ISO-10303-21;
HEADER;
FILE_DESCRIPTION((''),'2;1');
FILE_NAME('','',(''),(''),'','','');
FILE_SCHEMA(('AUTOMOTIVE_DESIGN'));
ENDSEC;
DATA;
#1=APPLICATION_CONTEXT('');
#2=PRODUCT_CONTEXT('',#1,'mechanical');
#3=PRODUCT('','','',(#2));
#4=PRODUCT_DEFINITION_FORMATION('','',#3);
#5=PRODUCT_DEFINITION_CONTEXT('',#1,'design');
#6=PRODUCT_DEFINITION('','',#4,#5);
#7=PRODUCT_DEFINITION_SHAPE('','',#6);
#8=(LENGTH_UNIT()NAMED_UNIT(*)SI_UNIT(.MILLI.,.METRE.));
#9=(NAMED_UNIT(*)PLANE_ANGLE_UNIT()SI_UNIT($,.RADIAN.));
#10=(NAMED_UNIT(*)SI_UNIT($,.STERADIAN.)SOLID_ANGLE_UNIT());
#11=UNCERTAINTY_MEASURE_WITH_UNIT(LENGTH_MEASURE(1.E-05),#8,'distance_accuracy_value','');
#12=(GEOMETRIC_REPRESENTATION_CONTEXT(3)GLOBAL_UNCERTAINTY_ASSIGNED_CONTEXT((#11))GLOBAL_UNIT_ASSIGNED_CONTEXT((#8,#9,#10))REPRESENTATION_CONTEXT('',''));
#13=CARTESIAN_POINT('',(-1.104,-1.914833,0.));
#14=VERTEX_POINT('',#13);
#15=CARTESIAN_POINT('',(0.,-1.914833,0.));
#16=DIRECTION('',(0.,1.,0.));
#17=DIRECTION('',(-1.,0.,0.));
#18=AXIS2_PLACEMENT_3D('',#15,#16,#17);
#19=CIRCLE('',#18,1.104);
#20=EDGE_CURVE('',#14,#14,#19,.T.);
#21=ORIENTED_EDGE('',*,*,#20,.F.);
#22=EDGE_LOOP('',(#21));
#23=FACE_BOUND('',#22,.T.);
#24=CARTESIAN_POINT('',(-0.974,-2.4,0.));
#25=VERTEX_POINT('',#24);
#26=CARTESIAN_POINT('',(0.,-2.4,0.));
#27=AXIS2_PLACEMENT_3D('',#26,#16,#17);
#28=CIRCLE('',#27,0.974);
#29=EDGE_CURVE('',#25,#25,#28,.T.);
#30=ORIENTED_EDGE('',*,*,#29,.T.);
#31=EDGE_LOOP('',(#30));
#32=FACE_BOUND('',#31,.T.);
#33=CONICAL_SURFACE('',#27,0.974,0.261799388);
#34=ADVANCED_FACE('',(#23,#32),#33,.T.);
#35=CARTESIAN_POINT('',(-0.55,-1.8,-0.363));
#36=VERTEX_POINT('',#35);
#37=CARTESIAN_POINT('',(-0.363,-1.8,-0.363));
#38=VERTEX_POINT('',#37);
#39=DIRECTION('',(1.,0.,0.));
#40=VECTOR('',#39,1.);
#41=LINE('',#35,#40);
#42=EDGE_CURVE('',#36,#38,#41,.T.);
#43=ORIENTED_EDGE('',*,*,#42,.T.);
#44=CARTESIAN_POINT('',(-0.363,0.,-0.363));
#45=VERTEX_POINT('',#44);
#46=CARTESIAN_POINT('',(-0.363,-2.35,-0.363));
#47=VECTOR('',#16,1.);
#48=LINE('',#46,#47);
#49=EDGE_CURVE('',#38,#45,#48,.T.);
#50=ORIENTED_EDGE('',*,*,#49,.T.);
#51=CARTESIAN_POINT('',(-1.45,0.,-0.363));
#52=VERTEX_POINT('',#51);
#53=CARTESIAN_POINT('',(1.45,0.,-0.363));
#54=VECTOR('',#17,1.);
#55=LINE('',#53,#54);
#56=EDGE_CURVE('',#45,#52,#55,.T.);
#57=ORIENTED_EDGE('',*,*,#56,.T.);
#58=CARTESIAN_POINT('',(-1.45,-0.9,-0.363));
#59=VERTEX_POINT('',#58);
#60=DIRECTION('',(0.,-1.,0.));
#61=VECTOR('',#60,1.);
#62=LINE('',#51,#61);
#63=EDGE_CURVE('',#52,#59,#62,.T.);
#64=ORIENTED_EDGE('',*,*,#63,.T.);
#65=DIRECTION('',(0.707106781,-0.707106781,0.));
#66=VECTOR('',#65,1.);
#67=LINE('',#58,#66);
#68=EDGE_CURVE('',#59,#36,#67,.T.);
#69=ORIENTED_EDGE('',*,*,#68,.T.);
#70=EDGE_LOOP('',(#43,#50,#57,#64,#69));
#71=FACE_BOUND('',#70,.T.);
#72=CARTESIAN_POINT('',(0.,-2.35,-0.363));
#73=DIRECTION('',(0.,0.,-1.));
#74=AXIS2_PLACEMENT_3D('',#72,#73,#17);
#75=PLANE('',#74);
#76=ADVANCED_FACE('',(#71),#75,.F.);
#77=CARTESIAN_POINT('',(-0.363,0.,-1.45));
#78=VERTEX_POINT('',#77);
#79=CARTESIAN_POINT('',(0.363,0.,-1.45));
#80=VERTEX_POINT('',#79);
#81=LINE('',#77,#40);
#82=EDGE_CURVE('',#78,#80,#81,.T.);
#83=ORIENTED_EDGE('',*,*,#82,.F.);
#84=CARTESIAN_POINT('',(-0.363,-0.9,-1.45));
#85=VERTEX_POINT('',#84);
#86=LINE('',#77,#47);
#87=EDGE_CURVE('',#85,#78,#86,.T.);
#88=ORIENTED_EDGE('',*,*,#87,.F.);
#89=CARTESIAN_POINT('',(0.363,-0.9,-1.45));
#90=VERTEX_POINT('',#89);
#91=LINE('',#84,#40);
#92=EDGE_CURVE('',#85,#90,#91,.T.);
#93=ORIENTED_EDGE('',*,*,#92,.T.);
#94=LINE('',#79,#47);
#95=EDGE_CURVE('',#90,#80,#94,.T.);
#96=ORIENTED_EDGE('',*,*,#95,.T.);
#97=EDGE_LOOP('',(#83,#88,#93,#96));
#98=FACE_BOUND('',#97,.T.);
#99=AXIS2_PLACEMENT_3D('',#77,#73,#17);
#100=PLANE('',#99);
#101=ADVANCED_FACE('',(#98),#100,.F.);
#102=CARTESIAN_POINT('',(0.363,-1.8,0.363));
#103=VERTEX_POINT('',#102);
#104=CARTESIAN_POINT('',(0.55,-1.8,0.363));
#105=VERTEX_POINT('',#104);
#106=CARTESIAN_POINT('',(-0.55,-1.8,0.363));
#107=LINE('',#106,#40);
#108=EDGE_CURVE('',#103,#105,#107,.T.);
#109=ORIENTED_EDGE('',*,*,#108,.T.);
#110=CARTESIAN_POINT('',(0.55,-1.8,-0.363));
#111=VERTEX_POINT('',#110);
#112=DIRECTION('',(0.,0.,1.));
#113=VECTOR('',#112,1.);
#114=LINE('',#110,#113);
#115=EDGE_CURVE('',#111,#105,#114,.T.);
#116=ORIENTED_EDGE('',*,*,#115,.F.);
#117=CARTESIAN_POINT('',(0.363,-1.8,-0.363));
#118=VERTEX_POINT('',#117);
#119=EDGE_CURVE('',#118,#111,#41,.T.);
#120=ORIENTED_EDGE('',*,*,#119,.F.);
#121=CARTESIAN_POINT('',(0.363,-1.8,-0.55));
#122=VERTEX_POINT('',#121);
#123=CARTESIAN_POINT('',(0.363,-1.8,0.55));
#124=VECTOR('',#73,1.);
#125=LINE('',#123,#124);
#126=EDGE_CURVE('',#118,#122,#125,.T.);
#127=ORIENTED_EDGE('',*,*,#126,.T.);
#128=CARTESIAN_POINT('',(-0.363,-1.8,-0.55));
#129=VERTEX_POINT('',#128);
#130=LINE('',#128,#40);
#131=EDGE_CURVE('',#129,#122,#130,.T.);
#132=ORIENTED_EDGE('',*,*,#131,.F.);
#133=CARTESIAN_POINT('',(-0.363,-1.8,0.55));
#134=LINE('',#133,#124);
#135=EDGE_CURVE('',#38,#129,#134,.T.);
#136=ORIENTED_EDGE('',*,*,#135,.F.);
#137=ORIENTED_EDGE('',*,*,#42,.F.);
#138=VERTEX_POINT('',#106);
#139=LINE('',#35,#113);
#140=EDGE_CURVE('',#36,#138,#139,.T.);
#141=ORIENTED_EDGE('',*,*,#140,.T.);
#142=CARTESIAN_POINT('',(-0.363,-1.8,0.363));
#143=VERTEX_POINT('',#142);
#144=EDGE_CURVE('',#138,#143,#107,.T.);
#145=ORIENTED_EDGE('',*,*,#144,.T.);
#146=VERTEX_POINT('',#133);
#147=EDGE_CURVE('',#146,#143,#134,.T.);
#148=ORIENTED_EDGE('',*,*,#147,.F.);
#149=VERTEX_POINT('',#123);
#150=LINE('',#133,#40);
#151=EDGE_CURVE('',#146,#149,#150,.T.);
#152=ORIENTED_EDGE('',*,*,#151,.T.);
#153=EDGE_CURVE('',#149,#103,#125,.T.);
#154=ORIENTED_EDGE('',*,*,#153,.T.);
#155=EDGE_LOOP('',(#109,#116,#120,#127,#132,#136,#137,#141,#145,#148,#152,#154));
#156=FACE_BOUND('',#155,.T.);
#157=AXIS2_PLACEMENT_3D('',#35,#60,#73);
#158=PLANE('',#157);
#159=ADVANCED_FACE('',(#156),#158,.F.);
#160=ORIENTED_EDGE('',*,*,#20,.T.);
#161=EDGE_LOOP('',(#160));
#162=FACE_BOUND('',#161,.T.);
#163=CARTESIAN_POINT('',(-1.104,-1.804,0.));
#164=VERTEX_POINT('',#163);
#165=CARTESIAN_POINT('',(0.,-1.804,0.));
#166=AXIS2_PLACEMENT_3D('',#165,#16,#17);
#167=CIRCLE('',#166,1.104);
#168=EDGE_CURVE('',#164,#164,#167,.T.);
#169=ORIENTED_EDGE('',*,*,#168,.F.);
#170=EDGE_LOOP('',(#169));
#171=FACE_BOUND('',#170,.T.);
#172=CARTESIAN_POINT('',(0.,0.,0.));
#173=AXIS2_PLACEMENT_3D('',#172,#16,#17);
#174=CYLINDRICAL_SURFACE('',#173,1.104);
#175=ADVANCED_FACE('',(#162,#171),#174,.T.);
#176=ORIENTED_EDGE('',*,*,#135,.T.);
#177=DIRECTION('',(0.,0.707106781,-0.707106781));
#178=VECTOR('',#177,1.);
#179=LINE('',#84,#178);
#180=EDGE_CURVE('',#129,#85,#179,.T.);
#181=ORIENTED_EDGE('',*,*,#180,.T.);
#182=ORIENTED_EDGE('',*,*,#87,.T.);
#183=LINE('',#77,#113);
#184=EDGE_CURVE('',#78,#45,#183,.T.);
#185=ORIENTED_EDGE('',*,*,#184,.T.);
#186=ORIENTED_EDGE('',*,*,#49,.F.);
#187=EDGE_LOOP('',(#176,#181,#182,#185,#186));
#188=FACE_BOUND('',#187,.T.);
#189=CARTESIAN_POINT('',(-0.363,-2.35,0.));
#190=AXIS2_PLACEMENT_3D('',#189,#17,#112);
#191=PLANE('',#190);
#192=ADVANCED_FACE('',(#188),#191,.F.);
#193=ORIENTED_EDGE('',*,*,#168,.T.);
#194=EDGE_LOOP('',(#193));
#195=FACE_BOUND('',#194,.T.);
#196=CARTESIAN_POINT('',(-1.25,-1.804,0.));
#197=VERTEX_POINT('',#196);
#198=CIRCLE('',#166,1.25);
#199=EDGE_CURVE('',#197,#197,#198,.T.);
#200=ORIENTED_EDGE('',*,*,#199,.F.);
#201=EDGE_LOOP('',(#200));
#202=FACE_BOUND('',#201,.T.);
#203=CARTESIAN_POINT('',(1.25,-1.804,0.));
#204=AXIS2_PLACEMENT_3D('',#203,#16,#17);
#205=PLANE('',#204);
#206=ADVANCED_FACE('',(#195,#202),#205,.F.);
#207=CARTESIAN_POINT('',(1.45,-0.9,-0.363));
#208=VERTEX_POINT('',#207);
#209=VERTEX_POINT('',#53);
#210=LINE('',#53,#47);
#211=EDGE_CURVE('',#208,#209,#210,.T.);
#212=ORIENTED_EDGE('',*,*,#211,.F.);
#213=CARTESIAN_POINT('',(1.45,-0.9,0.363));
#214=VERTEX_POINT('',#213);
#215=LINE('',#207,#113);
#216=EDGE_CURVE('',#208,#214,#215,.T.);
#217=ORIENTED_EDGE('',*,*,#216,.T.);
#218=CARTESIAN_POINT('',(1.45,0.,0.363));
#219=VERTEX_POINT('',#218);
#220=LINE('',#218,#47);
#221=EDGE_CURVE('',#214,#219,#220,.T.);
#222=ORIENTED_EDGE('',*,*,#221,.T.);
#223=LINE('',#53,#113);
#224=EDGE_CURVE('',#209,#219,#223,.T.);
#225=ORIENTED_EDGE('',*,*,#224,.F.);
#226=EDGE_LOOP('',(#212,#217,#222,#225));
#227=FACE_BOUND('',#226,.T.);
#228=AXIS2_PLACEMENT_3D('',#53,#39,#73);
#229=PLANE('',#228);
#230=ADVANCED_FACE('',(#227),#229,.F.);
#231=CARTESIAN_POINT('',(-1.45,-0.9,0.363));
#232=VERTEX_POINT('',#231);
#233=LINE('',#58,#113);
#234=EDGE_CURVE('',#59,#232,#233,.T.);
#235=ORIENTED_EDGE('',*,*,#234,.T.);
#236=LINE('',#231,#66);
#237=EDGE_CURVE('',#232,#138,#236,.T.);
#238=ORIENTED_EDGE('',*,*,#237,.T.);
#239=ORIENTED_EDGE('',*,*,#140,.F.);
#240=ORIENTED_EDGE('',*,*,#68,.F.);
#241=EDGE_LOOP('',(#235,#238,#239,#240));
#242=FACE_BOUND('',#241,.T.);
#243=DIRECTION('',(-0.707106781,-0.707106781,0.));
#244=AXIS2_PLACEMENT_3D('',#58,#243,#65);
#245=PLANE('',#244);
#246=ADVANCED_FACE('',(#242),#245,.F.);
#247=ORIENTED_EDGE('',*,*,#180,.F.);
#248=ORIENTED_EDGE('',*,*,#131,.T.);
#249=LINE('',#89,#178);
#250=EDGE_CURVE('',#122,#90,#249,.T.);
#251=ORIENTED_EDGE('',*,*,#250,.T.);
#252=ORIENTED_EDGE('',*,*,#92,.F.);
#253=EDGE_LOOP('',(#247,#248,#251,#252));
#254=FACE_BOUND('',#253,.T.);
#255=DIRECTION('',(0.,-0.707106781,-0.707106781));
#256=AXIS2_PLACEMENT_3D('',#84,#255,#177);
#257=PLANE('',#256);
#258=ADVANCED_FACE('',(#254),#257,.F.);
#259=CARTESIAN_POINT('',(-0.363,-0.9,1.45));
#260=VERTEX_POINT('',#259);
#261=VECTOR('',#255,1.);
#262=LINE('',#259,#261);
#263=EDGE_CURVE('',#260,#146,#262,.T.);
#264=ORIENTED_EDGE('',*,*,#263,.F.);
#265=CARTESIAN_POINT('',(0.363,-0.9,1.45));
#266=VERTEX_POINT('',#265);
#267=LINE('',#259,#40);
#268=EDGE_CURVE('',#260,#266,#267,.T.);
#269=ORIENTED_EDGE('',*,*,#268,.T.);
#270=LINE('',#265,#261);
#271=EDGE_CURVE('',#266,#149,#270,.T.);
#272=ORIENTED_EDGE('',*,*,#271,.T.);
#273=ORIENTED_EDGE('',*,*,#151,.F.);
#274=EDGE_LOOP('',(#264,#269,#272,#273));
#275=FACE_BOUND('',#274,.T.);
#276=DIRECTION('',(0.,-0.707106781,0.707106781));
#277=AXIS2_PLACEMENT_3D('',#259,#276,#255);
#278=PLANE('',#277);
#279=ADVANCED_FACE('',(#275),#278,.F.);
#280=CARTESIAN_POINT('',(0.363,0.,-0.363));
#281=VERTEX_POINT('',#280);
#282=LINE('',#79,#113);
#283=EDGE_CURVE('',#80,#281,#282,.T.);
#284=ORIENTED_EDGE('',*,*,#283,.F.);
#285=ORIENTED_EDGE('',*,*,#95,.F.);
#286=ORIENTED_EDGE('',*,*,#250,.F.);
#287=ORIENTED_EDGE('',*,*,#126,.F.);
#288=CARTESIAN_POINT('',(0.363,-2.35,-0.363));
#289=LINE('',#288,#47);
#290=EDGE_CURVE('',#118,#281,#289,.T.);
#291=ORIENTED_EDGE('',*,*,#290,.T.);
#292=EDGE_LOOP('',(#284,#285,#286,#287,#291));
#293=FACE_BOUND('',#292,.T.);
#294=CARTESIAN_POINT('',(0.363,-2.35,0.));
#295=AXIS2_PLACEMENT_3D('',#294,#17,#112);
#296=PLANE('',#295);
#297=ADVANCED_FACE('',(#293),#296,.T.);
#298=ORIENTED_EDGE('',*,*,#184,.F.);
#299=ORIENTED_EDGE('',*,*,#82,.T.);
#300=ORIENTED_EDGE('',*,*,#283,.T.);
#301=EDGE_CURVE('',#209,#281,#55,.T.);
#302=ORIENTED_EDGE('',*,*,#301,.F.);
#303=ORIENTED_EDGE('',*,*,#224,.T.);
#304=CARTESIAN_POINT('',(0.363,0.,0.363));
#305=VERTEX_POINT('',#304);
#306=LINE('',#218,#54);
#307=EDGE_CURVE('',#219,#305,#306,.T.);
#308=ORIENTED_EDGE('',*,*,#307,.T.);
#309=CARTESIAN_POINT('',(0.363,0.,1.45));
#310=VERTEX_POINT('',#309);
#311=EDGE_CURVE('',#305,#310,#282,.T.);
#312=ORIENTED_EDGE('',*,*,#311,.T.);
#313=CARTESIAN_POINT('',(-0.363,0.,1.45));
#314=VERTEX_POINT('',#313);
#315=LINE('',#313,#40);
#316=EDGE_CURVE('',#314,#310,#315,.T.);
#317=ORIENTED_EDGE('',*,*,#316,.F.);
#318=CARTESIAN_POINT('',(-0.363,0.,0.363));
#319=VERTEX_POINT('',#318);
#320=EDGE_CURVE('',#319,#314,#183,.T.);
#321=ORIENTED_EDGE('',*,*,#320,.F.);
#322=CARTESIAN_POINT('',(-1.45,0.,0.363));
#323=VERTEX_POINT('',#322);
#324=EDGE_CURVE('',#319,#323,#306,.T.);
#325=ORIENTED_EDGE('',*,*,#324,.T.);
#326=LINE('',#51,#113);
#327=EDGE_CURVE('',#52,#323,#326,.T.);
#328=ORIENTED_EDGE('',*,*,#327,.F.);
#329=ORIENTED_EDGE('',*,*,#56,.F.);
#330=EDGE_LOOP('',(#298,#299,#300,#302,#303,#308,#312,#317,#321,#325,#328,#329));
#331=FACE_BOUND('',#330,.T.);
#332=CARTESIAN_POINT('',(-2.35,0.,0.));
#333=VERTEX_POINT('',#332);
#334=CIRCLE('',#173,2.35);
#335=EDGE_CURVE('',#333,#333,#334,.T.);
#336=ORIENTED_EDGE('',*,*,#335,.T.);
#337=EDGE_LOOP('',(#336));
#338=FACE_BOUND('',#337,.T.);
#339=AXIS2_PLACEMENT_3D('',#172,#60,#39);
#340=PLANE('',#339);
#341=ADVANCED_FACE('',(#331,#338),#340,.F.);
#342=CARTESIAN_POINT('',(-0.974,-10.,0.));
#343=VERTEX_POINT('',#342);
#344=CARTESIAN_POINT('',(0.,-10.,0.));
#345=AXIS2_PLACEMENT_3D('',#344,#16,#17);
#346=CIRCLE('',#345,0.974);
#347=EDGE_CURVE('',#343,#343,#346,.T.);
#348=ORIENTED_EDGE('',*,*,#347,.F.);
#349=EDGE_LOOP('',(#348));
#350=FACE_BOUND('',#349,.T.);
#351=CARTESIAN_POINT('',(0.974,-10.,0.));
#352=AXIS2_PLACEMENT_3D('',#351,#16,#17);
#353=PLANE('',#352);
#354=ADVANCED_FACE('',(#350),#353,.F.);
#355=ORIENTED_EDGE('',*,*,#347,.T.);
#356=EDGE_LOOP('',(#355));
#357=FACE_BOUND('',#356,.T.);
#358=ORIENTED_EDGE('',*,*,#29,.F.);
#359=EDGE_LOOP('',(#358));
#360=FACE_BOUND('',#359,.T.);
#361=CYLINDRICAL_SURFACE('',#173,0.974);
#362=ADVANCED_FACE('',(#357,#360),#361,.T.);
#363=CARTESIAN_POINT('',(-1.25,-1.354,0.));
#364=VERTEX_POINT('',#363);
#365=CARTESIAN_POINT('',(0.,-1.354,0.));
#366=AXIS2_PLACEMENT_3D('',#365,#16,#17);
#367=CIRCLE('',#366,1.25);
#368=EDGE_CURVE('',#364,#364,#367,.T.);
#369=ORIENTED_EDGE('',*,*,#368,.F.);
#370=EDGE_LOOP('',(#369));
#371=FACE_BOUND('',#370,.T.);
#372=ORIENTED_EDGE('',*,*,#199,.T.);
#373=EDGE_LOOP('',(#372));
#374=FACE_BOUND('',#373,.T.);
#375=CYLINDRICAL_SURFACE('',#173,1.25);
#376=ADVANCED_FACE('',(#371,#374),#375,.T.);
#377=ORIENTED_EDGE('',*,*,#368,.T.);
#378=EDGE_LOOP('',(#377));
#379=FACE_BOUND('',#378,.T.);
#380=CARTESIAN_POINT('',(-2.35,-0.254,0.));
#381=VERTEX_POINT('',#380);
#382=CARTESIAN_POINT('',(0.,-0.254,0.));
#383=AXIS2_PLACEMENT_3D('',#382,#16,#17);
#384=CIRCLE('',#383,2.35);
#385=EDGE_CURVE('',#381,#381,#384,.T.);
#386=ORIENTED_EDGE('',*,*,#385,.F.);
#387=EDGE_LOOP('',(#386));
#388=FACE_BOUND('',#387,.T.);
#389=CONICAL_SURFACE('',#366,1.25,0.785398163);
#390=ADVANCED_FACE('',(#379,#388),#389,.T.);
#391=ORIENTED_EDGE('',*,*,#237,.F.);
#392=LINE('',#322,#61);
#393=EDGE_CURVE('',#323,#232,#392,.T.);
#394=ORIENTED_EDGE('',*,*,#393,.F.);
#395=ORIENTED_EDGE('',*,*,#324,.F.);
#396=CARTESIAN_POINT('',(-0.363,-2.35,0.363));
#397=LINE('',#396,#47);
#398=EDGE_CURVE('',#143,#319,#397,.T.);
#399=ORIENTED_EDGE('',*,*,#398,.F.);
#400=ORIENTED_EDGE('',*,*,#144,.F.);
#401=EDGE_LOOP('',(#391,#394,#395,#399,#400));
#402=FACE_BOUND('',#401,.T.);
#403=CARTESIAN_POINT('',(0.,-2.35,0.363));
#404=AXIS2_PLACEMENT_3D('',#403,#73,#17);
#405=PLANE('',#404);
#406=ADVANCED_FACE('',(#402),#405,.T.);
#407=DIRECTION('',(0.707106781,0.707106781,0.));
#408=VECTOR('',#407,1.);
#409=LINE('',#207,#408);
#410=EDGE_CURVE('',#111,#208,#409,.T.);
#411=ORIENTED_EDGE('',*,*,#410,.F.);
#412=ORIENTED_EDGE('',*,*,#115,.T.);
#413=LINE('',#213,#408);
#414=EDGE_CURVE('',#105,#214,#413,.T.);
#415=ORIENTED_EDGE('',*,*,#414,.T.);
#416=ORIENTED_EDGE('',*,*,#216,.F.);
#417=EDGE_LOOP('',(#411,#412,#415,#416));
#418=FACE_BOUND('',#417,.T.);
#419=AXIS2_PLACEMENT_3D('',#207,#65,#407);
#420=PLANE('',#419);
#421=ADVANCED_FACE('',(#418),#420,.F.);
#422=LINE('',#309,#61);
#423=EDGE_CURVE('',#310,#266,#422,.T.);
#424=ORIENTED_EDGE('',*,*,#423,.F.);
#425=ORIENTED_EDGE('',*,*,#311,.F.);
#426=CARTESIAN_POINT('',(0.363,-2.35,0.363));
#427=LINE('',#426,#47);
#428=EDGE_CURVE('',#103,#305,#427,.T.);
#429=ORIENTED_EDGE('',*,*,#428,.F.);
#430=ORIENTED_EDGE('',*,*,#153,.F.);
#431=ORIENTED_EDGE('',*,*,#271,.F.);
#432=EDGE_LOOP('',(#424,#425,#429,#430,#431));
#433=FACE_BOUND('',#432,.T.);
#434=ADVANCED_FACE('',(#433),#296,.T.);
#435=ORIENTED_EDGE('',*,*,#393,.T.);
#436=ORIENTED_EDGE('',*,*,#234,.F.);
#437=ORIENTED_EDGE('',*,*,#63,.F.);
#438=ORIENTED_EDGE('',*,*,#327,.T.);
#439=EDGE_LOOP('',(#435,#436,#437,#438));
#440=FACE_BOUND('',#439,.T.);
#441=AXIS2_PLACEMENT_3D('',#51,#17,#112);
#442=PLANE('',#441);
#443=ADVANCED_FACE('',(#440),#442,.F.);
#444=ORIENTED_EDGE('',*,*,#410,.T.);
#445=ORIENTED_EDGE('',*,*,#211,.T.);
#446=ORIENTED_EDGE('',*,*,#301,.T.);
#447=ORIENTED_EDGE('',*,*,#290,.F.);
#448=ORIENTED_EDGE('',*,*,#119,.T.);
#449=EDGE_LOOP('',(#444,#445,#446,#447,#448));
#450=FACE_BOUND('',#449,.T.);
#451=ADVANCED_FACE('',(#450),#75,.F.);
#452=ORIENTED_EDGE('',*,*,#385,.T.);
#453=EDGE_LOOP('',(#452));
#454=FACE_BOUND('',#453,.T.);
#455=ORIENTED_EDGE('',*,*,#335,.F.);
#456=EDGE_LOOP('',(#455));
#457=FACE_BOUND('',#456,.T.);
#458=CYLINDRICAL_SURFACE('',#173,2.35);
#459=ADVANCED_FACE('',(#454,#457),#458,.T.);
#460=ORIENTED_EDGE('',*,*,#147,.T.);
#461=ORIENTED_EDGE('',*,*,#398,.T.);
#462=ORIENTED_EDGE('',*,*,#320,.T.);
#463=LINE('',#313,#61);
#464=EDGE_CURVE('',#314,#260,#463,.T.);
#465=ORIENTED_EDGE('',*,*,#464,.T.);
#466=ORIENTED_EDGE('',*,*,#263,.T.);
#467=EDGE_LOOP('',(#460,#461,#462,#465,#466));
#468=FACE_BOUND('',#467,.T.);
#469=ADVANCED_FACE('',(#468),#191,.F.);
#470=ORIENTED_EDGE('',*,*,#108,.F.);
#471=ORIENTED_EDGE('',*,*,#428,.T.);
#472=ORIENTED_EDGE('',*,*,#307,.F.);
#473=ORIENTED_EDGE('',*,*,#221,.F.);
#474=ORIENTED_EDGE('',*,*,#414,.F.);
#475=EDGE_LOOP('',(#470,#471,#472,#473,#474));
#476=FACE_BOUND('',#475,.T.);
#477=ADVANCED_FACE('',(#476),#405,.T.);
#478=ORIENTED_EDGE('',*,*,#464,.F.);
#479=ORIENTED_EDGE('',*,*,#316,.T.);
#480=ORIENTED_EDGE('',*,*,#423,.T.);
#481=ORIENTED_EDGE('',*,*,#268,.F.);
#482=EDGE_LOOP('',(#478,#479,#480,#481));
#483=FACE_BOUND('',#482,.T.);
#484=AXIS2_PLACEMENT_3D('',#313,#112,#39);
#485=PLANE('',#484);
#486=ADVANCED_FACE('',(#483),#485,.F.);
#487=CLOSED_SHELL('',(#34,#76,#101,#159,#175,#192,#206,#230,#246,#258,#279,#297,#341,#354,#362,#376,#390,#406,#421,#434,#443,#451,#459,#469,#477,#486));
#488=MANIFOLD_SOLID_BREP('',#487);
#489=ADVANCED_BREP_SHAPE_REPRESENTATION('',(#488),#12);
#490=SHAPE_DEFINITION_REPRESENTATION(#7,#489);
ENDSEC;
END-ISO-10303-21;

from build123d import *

# Parameters (mm, degrees)
KREUZSCHLITZ1_H_DEPTH      = 0.363
KREUZSCHLITZ1_H_DEPTH_BACK = 0.363
KREUZSCHLITZ2_H_DEPTH      = 0.363
KREUZSCHLITZ2_H_DEPTH_BACK = 0.363


with BuildPart() as part:
    # Skizze1 → Basis-Rotation (revolve)
    with BuildSketch(Plane.XY, mode=Mode.PRIVATE) as basis_rotation_sk:
        Polygon((0, 0), (2.35, 0), (2.35, -0.254), (1.25, -1.354), (1.25, -1.804), (1.104, -1.804), (1.104, -1.914833395), (0.974, -2.4), (0.974, -10), (0, -10), align=None)
    revolve(basis_rotation_sk.sketch.rotate(Axis((0, 0, 0), (0, -1, 0)), 180), axis=Axis((0, 0, 0), (0, -1, 0)))

    # Skizze2 → Kreuzschlitz1 H (cut, two sides: drawn at the far end of the back side and taken through both)
    with BuildSketch(Plane.XY.offset(-KREUZSCHLITZ1_H_DEPTH_BACK)):
        Polygon((-0.55, -1.8), (0.55, -1.8), (1.45, -0.9), (1.45, 0), (-1.45, 0), (-1.45, -0.9), align=None)
    extrude(amount=KREUZSCHLITZ1_H_DEPTH + KREUZSCHLITZ1_H_DEPTH_BACK, mode=Mode.SUBTRACT)

    # Skizze3 → Kreuzschlitz2 H (cut, two sides: drawn at the far end of the back side and taken through both)
    with BuildSketch(Plane(origin=(0, 0, 0), x_dir=(0, 0, -1), z_dir=(1, 0, 0)).offset(-KREUZSCHLITZ2_H_DEPTH_BACK)):
        Polygon((-0.55, -1.8), (0.55, -1.8), (1.45, -0.9), (1.45, 0), (-1.45, 0), (-1.45, -0.9), align=None)
    extrude(amount=KREUZSCHLITZ2_H_DEPTH + KREUZSCHLITZ2_H_DEPTH_BACK, mode=Mode.SUBTRACT)


solid = part.part
